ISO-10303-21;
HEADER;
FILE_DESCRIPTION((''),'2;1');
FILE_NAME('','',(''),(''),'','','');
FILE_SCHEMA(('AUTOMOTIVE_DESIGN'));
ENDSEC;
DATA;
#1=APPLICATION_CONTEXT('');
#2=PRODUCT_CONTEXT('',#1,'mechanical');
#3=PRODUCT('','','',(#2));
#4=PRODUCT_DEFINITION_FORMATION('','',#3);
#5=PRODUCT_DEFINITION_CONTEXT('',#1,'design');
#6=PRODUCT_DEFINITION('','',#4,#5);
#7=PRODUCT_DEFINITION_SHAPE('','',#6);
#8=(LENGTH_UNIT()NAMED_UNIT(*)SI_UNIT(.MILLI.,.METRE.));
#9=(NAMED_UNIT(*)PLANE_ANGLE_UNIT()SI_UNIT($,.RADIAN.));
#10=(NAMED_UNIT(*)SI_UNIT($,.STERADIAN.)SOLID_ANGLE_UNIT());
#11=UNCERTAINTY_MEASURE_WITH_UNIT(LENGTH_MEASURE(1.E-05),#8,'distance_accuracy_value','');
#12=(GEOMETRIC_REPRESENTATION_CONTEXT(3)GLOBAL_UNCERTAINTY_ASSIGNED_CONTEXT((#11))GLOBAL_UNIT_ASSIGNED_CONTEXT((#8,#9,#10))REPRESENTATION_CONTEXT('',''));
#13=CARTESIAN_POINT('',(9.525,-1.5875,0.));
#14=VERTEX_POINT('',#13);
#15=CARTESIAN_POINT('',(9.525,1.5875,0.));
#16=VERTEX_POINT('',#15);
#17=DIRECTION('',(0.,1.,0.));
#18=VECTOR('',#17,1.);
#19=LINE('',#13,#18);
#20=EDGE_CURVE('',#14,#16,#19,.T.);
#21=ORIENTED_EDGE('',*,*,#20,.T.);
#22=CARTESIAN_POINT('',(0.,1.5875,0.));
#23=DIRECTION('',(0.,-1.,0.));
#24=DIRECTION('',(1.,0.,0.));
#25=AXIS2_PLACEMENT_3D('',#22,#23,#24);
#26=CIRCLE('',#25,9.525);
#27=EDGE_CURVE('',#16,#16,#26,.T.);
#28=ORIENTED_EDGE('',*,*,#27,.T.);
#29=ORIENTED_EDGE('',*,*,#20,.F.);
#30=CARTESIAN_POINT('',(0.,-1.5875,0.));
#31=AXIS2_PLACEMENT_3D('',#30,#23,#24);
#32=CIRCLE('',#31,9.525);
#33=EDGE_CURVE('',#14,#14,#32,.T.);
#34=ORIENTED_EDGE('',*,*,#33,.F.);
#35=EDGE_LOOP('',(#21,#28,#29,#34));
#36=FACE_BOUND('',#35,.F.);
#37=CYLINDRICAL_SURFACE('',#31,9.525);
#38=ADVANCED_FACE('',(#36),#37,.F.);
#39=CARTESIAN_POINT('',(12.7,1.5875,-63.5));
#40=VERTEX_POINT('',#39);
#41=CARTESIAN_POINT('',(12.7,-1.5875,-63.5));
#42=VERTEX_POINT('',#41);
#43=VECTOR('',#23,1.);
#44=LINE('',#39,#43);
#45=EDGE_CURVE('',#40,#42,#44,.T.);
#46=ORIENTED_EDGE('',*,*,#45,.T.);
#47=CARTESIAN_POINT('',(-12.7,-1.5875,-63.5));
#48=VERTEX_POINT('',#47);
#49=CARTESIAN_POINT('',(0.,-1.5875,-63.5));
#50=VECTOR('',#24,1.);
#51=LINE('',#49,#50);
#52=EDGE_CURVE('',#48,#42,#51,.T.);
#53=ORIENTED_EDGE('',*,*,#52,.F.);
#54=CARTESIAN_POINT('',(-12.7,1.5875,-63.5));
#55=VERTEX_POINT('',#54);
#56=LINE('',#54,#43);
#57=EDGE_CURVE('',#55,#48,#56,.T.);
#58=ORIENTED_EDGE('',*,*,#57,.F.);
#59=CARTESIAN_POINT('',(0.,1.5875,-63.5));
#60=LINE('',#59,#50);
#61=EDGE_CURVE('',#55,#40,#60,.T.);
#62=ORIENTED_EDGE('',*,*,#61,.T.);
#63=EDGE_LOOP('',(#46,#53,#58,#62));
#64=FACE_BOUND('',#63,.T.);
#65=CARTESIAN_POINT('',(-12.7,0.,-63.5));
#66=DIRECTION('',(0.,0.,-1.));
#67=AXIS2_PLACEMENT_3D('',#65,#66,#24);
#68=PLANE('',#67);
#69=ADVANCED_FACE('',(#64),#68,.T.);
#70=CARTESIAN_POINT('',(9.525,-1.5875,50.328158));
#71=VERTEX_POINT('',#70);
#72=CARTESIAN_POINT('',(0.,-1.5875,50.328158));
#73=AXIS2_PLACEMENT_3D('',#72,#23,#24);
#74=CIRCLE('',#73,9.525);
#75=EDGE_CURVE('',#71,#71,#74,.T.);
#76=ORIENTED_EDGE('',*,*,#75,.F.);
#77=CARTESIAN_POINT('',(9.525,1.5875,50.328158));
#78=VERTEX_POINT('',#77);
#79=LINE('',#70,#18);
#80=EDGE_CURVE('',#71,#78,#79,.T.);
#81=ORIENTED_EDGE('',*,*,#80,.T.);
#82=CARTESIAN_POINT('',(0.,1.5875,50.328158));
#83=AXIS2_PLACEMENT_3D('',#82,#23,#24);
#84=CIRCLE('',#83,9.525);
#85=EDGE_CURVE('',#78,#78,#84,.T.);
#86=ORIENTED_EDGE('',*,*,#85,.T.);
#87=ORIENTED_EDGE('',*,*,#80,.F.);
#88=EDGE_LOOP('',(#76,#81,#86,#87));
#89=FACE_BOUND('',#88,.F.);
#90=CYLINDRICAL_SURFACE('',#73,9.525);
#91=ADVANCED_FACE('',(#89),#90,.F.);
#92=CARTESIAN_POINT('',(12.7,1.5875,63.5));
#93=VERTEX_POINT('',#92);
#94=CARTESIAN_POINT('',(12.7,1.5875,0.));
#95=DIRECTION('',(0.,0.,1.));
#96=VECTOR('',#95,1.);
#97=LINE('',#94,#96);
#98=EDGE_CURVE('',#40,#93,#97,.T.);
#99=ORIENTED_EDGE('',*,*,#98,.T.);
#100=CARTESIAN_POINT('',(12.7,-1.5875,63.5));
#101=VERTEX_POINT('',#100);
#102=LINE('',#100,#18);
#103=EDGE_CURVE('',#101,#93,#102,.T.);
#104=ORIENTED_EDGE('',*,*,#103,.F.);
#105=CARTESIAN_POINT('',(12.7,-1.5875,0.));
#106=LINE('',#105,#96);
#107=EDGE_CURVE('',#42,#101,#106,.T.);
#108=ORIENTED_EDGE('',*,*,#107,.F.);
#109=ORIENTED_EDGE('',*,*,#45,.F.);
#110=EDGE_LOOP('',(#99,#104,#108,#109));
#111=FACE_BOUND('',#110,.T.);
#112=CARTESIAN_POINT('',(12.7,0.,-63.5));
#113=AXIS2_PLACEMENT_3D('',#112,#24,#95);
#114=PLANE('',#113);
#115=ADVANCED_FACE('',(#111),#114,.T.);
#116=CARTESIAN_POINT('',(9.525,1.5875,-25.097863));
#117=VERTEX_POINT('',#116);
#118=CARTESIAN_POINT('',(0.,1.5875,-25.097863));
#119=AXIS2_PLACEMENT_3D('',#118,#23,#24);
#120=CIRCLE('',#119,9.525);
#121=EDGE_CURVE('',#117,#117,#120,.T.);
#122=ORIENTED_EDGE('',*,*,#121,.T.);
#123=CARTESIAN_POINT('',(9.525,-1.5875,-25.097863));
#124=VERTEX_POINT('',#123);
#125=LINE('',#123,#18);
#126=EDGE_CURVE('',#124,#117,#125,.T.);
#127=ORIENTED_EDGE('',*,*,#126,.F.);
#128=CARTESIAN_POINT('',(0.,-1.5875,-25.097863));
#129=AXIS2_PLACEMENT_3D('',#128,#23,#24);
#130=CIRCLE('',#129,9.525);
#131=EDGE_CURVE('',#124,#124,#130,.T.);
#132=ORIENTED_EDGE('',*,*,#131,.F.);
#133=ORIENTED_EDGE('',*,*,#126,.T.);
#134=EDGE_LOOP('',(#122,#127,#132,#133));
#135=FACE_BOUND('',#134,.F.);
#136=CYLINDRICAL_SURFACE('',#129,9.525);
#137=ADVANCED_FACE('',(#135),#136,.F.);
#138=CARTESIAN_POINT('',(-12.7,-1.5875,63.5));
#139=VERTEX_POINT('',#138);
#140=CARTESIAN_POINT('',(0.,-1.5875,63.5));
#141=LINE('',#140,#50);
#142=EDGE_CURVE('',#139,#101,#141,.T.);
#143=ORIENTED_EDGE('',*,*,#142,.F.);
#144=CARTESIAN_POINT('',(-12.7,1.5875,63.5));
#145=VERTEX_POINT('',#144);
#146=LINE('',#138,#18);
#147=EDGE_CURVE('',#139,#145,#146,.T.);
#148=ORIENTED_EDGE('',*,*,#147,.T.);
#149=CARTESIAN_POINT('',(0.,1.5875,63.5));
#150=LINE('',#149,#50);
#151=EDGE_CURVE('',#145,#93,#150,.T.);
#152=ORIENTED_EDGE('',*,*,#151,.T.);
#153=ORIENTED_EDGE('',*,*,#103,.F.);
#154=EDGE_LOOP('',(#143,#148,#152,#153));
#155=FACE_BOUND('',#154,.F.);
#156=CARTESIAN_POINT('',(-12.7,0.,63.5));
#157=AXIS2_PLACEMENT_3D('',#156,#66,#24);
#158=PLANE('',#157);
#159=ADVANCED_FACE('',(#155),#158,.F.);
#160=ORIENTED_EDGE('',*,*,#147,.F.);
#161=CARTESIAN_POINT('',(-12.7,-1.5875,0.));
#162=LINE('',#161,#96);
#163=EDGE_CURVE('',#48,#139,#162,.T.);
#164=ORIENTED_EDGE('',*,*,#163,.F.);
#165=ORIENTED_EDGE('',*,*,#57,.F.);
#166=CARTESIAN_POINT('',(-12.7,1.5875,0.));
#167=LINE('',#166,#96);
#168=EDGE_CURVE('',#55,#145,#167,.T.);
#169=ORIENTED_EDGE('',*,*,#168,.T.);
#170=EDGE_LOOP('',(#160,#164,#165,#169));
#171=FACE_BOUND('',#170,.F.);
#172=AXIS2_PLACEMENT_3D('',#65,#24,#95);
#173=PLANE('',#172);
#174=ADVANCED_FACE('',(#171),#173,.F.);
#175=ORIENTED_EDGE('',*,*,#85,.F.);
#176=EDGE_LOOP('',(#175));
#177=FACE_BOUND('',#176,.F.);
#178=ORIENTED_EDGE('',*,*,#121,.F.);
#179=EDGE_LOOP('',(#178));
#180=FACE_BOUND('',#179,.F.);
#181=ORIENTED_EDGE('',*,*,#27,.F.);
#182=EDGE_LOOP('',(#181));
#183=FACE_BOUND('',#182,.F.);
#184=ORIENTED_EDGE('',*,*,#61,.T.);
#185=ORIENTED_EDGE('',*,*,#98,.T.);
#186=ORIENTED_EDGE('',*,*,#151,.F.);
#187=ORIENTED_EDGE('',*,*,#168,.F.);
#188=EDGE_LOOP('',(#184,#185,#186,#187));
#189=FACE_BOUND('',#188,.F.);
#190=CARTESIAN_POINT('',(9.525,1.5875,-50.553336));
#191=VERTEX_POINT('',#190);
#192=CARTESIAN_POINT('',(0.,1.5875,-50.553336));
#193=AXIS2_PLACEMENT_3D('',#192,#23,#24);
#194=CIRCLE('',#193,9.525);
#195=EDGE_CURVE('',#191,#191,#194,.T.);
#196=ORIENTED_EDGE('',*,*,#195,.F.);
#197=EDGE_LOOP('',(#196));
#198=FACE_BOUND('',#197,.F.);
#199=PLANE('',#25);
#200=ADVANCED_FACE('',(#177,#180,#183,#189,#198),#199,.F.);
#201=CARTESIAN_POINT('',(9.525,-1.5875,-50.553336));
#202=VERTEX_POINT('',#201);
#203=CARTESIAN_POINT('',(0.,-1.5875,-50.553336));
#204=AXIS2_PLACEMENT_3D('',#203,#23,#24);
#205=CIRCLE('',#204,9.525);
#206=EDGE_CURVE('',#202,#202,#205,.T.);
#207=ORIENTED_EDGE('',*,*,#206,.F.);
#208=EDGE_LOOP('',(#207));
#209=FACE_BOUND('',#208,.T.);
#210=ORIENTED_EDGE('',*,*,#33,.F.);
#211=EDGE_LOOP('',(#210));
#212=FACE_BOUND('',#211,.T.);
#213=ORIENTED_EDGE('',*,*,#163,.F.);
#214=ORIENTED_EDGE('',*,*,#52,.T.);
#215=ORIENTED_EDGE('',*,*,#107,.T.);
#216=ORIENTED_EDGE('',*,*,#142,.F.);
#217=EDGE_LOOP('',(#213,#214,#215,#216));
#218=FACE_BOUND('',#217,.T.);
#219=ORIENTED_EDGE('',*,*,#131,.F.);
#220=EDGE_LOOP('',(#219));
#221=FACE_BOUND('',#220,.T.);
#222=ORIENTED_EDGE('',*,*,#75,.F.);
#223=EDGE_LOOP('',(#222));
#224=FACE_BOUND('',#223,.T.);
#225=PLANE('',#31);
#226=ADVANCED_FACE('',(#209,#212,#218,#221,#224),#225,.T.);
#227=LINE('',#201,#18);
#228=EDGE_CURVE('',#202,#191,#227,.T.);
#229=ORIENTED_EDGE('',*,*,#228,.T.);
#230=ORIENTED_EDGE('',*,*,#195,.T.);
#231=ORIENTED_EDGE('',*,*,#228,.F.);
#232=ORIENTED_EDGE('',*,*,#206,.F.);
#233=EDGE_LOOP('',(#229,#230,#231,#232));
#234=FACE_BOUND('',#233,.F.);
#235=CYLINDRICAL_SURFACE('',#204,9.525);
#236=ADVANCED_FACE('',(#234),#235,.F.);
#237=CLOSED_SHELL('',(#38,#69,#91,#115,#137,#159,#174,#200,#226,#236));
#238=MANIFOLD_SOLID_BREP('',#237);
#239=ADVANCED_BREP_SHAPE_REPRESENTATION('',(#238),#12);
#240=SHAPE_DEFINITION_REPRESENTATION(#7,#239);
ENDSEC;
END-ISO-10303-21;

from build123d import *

# Parameters (mm, degrees)
F0_W     = 25.4
F0_H     = 127
F1_DEPTH = 1.5875
F2_R     = 9.525
F3_DEPTH = 25.4
F4_R     = 9.525
F5_DEPTH = 25.4
F6_R     = 9.525
F7_DEPTH = 25.4
F8_R     = 9.525
F9_DEPTH = 25.4


with BuildPart() as f1:
    # F0 (on Front) → F1 (new body, symmetric)
    with BuildSketch(Plane.XZ):
        Rectangle(F0_W, F0_H)
    extrude(amount=F1_DEPTH, both=True)

    # F2 (on face) → F3 (cut)
    with BuildSketch(Plane.XZ.offset(1.5875)):
        with Locations((0, 50.328158)):
            Circle(F2_R)
    extrude(amount=-F3_DEPTH, mode=Mode.SUBTRACT)

    # F4 (on face) → F5 (cut)
    with BuildSketch(Plane.XZ.offset(1.5875)):
        with Locations((0, -50.553336)):
            Circle(F4_R)
    extrude(amount=-F5_DEPTH, mode=Mode.SUBTRACT)

    # F6 (on face) → F7 (cut)
    with BuildSketch(Plane.XZ.offset(1.5875)):
        Circle(F6_R)
    extrude(amount=-F7_DEPTH, mode=Mode.SUBTRACT)

    # F8 (on face) → F9 (cut)
    with BuildSketch(Plane.XZ.offset(1.5875)):
        with Locations((0, -25.097863)):
            Circle(F8_R)
    extrude(amount=-F9_DEPTH, mode=Mode.SUBTRACT)


solid = f1.part
